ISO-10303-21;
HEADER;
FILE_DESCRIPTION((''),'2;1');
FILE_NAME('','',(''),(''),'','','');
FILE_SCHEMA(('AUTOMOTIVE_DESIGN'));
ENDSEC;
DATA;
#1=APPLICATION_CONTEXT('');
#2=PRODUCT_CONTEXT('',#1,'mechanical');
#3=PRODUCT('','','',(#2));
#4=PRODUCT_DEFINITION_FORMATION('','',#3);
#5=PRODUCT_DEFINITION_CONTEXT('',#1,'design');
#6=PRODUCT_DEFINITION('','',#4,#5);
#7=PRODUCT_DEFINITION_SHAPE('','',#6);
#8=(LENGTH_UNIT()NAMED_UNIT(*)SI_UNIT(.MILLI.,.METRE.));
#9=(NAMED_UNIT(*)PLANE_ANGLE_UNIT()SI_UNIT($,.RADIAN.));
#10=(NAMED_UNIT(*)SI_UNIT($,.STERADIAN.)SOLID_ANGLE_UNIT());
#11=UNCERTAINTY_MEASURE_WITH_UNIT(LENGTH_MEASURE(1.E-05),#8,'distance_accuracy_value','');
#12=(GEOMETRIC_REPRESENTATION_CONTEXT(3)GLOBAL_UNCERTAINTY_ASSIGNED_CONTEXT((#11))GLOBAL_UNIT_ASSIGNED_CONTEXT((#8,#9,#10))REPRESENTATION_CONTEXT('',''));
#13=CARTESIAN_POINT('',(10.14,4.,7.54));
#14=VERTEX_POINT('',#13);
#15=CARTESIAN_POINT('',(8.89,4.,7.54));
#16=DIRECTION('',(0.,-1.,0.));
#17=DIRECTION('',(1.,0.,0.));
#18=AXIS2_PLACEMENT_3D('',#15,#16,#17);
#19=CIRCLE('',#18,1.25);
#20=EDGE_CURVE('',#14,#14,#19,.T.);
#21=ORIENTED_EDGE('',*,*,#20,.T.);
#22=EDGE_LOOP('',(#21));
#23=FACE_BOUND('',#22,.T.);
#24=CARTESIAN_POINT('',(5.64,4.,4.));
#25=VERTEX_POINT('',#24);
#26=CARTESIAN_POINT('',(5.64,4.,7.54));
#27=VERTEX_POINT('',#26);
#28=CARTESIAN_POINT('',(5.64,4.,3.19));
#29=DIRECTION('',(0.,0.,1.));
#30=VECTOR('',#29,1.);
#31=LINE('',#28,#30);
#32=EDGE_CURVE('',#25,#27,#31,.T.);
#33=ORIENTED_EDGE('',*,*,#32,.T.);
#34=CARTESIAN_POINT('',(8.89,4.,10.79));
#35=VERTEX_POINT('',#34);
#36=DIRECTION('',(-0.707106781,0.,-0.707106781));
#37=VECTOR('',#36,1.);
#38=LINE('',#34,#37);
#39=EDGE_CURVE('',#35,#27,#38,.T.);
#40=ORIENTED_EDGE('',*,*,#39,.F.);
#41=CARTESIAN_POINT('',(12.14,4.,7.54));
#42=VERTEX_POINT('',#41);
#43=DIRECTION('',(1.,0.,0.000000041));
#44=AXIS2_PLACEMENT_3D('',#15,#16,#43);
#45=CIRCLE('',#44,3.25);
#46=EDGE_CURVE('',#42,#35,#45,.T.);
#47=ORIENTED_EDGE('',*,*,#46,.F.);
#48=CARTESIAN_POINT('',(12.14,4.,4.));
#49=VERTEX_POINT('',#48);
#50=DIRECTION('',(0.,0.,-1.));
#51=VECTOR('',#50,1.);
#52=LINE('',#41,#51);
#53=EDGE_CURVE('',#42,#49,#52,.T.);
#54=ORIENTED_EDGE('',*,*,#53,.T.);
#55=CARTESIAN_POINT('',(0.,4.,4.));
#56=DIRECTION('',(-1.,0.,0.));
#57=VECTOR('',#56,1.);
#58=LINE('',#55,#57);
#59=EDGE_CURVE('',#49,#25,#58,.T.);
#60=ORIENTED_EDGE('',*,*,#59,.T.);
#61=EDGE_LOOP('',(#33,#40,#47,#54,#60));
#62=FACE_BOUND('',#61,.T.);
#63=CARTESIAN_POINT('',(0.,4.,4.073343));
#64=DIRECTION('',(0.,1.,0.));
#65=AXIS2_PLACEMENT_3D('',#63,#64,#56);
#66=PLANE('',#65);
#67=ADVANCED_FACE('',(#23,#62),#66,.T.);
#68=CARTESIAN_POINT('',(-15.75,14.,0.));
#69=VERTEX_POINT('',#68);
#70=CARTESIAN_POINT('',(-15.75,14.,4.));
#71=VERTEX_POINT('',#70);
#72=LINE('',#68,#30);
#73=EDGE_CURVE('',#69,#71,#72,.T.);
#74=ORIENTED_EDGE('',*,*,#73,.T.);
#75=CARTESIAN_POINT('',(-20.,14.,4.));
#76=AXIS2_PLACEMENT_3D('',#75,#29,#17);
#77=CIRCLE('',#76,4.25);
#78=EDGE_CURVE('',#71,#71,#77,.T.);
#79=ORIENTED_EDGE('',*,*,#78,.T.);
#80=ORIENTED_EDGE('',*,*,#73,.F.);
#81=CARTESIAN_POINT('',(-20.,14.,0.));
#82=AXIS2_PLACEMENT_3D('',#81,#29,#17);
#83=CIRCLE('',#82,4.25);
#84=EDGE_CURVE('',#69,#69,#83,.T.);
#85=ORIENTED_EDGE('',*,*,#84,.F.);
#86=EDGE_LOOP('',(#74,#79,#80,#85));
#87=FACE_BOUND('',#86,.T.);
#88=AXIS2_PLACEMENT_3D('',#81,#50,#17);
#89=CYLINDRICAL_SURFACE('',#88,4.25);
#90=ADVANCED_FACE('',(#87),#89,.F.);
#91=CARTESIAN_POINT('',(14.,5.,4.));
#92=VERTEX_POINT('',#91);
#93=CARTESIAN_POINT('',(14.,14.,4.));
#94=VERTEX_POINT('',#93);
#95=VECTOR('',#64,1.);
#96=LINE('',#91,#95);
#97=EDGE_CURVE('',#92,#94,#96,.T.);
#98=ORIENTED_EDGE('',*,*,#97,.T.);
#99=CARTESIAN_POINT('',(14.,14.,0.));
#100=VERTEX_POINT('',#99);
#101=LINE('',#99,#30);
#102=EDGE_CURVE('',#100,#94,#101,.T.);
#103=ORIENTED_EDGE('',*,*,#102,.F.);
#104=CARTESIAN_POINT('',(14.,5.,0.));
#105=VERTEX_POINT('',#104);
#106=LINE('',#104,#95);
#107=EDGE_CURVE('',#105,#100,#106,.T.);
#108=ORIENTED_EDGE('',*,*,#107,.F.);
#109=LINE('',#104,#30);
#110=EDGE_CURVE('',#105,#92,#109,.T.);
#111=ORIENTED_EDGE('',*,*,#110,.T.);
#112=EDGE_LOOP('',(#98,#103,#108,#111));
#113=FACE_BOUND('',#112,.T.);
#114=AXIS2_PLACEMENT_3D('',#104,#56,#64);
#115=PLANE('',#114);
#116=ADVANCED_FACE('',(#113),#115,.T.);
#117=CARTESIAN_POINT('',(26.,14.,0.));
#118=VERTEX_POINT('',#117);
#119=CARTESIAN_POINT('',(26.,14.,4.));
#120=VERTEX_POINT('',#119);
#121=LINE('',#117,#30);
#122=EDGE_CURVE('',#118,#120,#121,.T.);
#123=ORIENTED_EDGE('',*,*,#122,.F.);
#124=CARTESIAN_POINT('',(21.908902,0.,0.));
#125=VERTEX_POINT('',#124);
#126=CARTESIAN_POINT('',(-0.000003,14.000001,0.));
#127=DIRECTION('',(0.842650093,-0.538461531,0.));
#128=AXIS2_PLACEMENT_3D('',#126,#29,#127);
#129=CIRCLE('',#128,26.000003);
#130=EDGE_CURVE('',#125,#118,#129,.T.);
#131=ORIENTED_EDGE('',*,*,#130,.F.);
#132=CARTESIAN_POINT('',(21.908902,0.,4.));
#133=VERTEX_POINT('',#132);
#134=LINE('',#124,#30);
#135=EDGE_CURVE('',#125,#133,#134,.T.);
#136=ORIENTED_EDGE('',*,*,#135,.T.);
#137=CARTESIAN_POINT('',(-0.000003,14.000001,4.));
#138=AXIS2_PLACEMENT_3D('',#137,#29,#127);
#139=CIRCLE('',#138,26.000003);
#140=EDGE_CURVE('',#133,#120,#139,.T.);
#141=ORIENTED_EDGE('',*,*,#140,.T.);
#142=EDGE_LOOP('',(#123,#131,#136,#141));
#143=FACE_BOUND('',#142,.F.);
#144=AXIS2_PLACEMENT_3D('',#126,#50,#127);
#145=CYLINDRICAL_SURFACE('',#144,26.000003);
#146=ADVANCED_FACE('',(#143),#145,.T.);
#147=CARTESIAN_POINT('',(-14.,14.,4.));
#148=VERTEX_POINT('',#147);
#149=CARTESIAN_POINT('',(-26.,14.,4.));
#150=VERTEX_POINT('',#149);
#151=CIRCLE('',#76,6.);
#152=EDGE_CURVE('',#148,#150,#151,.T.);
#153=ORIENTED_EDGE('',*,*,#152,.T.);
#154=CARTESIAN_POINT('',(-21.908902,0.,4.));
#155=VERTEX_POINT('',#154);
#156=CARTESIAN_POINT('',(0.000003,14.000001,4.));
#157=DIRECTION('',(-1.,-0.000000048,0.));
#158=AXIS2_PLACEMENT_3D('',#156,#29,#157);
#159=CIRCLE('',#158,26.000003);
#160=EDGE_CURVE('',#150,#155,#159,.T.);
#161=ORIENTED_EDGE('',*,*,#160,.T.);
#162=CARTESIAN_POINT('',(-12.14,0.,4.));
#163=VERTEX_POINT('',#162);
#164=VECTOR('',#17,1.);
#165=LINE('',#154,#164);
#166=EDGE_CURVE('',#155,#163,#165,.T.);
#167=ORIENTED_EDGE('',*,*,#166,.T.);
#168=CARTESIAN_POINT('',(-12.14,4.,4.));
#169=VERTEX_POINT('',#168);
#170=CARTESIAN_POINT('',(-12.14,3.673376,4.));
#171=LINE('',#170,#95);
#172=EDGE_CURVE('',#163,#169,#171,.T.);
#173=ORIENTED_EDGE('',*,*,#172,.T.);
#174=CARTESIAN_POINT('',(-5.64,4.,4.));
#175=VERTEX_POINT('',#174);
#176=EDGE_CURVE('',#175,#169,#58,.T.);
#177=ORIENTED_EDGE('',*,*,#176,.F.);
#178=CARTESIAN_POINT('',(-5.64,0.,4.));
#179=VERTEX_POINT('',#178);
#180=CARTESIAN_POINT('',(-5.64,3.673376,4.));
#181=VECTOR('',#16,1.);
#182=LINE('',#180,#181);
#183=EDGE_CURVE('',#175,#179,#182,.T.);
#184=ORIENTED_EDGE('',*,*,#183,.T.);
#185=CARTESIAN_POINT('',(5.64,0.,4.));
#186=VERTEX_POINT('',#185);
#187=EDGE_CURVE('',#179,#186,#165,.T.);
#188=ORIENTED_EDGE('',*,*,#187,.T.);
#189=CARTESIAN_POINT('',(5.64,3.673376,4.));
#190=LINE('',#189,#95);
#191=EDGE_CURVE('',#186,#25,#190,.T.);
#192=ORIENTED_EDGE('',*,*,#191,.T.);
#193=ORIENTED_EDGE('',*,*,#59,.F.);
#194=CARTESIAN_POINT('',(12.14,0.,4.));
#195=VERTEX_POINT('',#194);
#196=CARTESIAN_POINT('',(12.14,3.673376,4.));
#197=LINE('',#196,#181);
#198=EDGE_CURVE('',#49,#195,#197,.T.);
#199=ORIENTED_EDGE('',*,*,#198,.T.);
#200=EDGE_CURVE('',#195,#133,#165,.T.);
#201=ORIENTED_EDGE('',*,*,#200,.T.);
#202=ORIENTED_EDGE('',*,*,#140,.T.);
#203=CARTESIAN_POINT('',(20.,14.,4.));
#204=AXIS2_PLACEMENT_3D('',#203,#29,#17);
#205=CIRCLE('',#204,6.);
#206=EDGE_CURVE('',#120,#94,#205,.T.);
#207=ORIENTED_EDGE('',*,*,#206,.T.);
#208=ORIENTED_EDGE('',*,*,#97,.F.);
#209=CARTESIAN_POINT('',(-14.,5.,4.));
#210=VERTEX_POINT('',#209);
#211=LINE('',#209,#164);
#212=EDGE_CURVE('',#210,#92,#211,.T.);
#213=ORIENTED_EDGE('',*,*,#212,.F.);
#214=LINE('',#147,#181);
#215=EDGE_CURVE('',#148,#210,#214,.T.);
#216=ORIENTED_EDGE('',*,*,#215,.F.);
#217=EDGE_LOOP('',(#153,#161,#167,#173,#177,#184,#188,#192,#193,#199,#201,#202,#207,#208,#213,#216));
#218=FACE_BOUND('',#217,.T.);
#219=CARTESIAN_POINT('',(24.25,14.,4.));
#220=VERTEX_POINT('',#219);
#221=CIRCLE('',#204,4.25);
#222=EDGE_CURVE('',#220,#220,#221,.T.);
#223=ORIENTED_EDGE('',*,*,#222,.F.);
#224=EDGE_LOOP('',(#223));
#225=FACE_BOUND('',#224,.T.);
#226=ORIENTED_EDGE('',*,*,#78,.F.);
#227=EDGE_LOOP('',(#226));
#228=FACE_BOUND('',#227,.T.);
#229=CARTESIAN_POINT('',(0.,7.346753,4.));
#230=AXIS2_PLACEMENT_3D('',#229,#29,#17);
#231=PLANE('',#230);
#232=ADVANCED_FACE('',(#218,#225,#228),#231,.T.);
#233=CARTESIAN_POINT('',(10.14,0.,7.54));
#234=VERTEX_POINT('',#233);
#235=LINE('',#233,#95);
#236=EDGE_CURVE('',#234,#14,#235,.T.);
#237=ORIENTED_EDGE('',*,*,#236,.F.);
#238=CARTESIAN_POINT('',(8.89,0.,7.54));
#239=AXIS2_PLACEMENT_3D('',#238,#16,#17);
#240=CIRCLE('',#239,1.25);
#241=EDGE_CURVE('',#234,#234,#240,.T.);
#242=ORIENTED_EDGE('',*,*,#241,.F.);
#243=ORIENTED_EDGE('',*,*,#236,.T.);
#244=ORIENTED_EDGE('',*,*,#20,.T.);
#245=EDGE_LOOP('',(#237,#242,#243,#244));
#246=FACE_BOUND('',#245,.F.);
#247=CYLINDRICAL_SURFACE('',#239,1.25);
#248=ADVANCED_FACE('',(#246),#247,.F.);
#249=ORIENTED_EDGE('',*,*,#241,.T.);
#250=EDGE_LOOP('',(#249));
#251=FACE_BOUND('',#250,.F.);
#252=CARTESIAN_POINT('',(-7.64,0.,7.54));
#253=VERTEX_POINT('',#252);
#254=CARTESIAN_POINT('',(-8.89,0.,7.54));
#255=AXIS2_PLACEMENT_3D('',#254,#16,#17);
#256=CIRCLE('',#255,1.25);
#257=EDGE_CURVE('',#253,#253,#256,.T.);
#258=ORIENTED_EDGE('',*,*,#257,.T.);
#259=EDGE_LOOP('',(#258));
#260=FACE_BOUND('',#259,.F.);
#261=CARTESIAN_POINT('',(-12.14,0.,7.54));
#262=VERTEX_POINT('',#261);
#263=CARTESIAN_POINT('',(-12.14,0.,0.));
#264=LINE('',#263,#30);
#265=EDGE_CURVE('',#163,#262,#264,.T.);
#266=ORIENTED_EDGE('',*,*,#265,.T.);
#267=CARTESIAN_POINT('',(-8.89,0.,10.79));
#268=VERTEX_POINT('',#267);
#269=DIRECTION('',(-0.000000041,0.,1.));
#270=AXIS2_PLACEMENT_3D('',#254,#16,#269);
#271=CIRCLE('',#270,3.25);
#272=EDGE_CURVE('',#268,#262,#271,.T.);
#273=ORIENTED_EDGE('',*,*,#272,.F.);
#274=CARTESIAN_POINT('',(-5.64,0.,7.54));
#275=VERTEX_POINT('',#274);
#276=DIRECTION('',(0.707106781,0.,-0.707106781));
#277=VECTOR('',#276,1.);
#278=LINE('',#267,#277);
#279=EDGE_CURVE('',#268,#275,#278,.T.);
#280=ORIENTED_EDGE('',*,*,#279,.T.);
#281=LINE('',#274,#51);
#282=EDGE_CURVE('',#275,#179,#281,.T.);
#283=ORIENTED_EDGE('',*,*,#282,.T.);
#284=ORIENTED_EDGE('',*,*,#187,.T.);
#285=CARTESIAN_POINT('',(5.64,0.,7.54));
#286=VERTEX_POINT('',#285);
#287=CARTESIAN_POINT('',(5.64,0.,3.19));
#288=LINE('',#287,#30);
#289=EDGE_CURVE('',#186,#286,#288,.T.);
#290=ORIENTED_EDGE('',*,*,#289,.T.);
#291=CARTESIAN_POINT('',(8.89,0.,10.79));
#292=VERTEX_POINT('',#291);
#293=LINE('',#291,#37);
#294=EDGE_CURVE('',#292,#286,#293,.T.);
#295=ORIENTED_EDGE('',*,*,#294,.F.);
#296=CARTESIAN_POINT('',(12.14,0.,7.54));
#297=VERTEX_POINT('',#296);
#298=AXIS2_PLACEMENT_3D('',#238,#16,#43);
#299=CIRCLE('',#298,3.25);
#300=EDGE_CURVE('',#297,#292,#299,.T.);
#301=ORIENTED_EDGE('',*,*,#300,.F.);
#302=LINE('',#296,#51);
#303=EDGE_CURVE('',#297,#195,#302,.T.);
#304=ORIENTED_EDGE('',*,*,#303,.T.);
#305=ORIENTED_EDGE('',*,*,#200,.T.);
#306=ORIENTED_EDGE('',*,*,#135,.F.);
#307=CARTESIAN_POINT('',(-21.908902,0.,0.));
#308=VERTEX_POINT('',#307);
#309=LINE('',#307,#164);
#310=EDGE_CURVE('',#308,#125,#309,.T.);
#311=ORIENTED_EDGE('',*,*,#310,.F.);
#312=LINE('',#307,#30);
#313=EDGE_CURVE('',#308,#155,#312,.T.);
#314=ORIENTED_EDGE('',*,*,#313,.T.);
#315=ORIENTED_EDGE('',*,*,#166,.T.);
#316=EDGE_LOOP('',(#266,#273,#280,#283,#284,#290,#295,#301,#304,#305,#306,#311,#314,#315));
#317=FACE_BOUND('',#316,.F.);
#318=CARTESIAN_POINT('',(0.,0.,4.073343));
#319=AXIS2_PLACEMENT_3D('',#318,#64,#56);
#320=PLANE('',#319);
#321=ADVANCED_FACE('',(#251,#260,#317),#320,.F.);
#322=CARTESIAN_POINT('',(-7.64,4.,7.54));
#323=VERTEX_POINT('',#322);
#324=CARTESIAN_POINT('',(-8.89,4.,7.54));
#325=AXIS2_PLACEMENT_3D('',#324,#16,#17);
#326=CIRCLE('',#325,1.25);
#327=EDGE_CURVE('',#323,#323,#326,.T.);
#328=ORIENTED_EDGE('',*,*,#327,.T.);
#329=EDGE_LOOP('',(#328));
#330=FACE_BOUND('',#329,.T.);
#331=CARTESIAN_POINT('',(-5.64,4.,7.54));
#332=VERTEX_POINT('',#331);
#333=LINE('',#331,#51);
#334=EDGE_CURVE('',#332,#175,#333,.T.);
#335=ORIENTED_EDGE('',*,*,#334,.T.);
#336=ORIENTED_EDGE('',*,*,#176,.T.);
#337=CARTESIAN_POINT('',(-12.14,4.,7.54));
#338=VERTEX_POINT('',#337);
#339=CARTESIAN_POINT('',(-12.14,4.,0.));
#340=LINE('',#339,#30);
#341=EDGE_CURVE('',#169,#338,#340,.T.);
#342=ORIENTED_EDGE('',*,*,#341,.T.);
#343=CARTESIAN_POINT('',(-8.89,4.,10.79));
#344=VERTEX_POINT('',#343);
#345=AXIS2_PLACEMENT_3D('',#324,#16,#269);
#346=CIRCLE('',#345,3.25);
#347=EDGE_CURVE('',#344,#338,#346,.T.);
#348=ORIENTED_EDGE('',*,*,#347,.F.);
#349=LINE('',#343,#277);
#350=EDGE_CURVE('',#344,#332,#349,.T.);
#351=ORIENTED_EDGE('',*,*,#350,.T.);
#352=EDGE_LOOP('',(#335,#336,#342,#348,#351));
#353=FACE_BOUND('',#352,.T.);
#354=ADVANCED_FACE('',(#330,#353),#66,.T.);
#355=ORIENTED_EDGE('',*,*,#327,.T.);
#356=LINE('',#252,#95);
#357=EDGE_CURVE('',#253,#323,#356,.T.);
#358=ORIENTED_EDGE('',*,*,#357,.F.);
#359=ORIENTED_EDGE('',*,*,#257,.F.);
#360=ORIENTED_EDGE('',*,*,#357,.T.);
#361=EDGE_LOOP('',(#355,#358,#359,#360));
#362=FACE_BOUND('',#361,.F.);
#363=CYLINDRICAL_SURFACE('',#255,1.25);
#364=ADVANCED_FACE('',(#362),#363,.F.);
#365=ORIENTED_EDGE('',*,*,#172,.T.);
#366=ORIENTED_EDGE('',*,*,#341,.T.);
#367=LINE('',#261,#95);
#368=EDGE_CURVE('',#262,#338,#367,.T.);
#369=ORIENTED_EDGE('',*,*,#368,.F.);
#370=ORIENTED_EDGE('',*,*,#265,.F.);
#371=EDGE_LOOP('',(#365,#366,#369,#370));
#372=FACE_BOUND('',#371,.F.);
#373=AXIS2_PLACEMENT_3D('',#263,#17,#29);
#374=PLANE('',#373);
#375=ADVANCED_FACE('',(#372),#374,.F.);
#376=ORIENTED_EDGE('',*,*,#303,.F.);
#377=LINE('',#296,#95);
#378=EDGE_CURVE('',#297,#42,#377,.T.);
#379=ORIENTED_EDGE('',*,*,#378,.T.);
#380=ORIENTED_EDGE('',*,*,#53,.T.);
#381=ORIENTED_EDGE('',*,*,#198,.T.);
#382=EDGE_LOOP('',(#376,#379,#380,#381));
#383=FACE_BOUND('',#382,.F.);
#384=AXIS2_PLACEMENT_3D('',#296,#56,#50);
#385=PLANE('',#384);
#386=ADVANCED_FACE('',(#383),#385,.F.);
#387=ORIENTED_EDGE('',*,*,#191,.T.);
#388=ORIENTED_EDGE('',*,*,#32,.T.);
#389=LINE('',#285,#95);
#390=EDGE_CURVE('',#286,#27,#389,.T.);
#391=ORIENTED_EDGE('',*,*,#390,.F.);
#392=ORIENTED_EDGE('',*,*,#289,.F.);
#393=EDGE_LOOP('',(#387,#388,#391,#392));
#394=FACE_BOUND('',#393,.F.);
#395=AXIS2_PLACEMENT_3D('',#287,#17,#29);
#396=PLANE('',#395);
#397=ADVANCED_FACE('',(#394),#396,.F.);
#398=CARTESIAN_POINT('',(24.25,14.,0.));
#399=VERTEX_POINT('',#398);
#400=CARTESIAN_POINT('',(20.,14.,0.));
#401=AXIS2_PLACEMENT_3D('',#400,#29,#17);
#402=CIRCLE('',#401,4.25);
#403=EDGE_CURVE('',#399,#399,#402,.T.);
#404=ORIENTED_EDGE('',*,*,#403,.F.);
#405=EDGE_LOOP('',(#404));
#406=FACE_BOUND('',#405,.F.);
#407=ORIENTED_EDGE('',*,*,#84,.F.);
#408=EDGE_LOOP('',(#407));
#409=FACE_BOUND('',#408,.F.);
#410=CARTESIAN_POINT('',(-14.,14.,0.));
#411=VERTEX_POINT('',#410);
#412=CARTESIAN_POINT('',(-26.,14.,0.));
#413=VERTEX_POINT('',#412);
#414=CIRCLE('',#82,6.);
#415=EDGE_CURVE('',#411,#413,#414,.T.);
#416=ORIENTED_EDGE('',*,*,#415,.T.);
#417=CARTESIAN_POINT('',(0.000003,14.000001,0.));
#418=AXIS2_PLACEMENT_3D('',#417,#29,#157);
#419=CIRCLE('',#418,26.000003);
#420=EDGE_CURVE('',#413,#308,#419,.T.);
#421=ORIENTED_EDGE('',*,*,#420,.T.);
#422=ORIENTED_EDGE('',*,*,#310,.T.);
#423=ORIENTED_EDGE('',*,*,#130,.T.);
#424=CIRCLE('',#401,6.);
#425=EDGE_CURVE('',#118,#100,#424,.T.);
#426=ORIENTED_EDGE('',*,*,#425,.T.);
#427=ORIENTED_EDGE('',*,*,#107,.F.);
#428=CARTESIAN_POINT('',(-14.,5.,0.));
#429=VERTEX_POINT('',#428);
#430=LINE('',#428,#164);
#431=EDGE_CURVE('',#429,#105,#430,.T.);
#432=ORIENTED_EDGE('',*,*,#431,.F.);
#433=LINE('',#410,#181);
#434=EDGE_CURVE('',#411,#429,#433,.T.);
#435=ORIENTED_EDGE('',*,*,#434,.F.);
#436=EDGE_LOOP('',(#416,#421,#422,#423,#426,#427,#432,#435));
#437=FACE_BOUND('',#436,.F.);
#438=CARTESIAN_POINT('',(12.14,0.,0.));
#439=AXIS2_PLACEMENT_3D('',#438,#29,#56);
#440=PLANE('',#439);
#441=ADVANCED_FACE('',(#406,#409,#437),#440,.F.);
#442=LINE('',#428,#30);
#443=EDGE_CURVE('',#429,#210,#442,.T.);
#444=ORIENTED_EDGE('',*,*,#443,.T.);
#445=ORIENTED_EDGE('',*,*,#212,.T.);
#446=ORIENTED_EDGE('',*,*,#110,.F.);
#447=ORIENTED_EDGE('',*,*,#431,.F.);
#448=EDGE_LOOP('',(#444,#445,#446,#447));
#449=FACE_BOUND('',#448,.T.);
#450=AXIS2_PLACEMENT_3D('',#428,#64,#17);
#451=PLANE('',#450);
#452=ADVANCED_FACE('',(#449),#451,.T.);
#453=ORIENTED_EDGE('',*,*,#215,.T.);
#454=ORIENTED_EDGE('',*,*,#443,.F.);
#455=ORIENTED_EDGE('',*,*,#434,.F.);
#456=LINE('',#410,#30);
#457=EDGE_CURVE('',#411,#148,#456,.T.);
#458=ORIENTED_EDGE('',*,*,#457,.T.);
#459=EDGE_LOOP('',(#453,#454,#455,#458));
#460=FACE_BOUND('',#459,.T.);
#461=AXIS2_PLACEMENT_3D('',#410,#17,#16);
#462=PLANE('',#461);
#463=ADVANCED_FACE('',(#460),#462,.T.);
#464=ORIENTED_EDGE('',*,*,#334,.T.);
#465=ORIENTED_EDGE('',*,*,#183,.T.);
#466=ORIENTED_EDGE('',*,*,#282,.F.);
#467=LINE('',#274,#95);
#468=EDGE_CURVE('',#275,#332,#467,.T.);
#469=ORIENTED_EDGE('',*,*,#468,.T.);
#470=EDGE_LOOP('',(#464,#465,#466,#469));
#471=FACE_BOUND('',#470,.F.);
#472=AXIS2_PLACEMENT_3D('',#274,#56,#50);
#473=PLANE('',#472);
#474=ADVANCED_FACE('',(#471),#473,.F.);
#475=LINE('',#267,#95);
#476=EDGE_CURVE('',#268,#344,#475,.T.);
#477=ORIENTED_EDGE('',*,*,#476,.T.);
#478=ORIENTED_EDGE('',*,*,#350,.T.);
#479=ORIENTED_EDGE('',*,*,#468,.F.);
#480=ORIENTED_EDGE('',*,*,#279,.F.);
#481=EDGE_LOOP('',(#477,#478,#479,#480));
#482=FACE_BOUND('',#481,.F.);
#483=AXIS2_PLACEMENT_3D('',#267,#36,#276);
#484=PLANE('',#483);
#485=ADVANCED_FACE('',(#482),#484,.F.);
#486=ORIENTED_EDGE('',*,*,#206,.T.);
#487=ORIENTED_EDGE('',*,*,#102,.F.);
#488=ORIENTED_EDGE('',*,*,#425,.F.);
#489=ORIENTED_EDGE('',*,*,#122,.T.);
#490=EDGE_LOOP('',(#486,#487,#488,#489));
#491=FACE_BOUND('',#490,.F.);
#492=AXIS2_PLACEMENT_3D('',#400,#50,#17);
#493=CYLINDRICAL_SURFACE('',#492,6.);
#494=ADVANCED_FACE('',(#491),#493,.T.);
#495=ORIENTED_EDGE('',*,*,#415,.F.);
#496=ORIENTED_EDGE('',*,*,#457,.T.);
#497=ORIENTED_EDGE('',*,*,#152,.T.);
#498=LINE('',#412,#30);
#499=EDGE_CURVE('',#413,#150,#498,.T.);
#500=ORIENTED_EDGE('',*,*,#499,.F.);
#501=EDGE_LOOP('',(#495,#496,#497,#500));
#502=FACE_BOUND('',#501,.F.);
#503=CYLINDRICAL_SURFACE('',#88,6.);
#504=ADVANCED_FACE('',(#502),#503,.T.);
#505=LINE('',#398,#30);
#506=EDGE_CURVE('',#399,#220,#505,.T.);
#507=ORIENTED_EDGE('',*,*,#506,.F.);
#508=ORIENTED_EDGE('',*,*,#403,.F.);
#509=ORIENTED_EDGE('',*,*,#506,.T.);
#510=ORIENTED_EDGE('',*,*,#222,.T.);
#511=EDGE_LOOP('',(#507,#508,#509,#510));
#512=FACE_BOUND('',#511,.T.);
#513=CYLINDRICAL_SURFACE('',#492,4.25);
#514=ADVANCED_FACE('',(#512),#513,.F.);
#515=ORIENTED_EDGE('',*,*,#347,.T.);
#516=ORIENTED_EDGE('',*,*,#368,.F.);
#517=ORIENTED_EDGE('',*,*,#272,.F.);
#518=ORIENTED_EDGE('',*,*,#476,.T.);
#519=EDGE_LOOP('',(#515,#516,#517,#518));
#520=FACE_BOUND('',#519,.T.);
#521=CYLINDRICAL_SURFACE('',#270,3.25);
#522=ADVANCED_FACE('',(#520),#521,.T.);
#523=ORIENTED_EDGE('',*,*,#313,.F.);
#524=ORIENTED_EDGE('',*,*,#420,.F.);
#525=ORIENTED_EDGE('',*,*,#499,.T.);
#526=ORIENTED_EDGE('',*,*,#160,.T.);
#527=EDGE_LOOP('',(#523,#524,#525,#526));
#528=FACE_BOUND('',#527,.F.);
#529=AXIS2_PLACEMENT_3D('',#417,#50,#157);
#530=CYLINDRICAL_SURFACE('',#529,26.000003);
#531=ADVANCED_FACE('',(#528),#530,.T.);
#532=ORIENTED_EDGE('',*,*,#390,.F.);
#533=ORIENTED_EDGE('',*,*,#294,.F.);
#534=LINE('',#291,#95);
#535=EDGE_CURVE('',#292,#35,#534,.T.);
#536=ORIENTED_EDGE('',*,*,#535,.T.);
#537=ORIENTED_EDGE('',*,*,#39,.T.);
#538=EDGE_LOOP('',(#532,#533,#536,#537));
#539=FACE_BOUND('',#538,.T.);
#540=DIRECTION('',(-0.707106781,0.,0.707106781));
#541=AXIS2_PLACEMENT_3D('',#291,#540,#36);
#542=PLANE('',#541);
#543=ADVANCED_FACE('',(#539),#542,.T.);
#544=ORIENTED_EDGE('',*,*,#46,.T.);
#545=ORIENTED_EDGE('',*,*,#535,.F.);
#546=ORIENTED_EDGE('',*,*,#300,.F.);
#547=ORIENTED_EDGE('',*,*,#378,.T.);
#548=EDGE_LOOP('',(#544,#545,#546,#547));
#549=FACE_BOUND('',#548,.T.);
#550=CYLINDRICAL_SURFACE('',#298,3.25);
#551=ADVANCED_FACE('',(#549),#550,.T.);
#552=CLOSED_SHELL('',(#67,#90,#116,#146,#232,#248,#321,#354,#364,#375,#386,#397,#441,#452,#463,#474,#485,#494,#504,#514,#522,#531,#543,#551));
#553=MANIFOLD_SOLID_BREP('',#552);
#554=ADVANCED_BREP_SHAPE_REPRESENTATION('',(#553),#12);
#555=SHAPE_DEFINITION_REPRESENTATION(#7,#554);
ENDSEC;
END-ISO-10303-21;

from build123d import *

# Parameters (mm, degrees)
SKETCH_R     = 4.25
PAD_DEPTH    = 4
SKETCH001_R  = 1.25
PAD001_DEPTH = 4


with BuildPart() as part:
    # Sketch → Pad (new body)
    with BuildSketch(Plane.XY):
        with BuildLine():
            ThreePointArc((-14, 14), (-20, 20), (-26, 14))
            ThreePointArc((-26, 14), (-24.956276, 6.707245), (-21.908902, 0))
            Line((-21.908902, 0), (21.908902, 0))
            ThreePointArc((21.908902, 0), (24.956276, 6.707245), (26, 14))
            ThreePointArc((26, 14), (20, 20), (14, 14))
            Line((14, 5), (14, 14))
            Line((-14, 5), (14, 5))
            Line((-14, 14), (-14, 5))
        make_face()
        with Locations((-20, 14)):
            Circle(SKETCH_R, mode=Mode.SUBTRACT)
        with Locations((20, 14)):
            Circle(SKETCH_R, mode=Mode.SUBTRACT)
    extrude(amount=PAD_DEPTH)

    # Sketch001 (on Face4 of Pad) → Pad001 (join)
    with BuildSketch(Plane.XZ):
        with BuildLine():
            Line((-5.64, 7.54), (-5.64, 3.19))
            Line((-5.64, 3.19), (5.64, 3.19))
            Line((5.64, 3.19), (5.64, 7.54))
            Line((8.89, 10.79), (5.64, 7.54))
            ThreePointArc((12.14, 7.54), (11.188097, 9.838097), (8.89, 10.79))
            Line((12.14, 7.54), (12.14, 0))
            Line((12.14, 0), (-12.14, 0))
            Line((-12.14, 0), (-12.14, 7.54))
            ThreePointArc((-8.89, 10.79), (-11.188097, 9.838097), (-12.14, 7.54))
            Line((-8.89, 10.79), (-5.64, 7.54))
        make_face()
        with Locations((-8.89, 7.54)):
            Circle(SKETCH001_R, mode=Mode.SUBTRACT)
        with Locations((8.89, 7.54)):
            Circle(SKETCH001_R, mode=Mode.SUBTRACT)
    extrude(amount=-PAD001_DEPTH)


solid = part.part
